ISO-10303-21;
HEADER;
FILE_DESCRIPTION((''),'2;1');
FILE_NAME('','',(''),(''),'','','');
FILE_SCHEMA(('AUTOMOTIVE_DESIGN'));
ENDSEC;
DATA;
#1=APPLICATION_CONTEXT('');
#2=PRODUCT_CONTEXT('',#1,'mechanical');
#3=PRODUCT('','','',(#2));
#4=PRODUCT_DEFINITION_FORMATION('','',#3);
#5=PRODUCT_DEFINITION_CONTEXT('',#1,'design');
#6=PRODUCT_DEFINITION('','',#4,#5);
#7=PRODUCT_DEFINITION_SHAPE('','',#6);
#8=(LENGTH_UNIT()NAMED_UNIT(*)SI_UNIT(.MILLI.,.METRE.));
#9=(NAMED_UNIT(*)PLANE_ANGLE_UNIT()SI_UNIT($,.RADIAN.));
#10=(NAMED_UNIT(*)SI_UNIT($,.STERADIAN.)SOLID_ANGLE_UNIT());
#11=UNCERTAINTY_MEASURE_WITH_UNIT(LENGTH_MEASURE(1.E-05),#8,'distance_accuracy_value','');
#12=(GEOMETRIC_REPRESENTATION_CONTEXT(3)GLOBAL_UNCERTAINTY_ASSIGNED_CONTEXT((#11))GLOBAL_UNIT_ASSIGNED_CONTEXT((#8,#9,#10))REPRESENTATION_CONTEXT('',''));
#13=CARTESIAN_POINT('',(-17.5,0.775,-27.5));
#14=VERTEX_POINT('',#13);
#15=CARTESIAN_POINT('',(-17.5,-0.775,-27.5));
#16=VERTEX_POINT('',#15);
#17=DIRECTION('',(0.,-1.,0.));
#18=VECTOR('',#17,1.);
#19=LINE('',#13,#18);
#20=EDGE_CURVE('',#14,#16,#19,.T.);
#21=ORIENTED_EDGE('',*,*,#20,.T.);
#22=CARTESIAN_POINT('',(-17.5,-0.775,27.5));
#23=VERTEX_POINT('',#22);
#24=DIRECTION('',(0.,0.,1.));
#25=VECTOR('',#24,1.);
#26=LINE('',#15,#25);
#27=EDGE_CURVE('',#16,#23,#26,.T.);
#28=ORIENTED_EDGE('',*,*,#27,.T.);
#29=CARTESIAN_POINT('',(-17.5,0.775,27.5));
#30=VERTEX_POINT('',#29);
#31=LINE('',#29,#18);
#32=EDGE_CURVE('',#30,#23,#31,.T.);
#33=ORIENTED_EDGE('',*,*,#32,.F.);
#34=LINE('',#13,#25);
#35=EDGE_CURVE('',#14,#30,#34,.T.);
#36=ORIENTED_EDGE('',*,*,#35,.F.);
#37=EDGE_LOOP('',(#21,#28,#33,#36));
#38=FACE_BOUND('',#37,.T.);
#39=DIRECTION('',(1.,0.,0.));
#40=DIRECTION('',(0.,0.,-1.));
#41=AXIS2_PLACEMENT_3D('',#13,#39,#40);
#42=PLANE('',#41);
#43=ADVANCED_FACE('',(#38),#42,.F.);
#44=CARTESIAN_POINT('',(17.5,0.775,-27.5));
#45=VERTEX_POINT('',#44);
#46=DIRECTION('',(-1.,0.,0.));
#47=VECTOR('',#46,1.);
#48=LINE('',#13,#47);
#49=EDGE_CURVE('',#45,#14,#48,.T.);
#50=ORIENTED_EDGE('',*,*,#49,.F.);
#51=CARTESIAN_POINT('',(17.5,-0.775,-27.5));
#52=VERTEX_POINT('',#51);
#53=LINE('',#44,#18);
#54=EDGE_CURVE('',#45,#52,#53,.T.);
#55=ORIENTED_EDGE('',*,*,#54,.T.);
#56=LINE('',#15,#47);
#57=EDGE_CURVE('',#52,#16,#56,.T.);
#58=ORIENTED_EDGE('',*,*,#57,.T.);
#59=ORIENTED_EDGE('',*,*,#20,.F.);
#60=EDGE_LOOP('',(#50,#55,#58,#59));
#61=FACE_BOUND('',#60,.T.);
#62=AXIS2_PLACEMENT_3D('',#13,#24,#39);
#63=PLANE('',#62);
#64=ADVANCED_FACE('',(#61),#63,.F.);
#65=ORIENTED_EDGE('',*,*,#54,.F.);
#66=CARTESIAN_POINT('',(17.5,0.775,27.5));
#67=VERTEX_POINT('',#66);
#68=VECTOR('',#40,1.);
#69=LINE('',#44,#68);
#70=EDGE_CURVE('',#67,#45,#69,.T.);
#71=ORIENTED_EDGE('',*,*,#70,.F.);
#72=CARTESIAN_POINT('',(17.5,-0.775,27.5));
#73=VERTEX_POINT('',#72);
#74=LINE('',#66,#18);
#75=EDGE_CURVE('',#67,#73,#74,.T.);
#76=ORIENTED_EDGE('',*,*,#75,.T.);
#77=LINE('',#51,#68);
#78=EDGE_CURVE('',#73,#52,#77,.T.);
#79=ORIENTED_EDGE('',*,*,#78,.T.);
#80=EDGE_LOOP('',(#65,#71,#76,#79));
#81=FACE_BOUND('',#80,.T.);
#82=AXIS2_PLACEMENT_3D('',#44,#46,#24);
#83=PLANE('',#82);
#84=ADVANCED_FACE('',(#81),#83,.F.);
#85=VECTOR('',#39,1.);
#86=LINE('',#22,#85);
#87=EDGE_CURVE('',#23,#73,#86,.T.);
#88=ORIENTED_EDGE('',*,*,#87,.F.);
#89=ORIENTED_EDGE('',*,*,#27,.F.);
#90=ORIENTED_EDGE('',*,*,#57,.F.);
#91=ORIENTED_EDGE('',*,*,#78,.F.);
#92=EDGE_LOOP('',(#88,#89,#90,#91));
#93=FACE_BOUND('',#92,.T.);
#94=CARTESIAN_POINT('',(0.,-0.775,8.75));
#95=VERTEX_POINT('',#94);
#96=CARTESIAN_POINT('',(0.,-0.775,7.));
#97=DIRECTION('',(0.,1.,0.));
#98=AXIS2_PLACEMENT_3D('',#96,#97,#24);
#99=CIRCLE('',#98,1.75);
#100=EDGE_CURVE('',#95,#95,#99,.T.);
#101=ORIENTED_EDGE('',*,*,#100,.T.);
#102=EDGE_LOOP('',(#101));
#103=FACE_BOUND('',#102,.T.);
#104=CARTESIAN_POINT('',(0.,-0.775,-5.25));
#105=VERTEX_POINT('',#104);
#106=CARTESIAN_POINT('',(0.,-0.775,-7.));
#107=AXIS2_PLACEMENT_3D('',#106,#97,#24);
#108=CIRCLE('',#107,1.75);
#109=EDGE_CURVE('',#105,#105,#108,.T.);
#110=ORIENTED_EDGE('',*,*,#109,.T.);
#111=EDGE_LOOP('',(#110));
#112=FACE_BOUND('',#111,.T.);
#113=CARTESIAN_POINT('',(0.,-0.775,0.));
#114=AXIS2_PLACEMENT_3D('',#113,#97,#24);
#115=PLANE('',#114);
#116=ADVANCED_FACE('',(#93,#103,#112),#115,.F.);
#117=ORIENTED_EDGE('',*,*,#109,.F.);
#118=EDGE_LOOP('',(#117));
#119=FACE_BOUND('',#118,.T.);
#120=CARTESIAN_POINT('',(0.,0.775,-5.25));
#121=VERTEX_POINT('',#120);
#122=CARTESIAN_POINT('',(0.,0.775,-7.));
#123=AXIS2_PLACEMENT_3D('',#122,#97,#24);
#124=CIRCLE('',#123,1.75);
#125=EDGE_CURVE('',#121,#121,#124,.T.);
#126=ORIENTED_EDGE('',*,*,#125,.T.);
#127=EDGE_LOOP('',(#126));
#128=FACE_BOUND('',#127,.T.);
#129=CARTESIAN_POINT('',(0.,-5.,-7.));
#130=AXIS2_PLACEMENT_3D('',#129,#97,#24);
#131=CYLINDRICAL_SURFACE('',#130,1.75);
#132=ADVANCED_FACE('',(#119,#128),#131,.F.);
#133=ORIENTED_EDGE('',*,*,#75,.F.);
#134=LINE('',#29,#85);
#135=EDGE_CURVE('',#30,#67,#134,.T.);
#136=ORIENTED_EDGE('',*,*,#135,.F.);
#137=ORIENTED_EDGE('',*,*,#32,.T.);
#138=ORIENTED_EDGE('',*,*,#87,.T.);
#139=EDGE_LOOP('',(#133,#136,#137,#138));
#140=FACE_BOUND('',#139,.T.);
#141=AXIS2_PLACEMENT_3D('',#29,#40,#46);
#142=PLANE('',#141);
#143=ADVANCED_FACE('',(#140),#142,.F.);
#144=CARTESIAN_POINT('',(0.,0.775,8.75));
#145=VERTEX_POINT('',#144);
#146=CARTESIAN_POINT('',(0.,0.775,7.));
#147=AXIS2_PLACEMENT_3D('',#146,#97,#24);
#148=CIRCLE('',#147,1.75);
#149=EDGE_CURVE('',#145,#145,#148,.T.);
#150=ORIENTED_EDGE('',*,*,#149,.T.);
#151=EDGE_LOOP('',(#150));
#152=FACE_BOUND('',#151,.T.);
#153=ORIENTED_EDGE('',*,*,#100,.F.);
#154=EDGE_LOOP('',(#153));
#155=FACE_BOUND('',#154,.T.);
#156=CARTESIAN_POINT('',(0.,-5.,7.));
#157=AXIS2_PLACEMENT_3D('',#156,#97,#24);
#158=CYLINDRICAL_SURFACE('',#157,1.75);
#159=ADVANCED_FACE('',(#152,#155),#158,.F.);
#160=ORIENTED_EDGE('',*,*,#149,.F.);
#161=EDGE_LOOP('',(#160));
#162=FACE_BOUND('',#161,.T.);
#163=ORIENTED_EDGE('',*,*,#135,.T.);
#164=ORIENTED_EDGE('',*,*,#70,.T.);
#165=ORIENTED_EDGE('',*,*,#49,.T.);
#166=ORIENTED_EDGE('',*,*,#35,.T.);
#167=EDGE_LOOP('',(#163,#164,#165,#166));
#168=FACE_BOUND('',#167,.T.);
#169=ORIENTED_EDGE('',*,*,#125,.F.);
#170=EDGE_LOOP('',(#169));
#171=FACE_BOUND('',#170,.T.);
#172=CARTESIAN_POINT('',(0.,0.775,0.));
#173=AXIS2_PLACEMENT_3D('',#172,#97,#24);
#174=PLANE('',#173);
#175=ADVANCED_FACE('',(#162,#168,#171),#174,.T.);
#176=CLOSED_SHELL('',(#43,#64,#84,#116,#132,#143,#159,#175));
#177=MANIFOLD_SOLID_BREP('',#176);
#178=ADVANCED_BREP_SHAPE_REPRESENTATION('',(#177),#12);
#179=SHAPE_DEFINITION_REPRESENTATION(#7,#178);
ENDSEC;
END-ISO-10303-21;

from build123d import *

# Parameters (mm, degrees)
SKETCH1_W           = 35
SKETCH1_H           = 55
BOSS_EXTRUDE1_DEPTH = 0.775
SKETCH2_R           = 1.75
CUT_EXTRUDE1_DEPTH  = 5


with BuildPart() as part:
    # Sketch1 → Boss-Extrude1 (new, symmetric)
    with BuildSketch(Plane(origin=(0, 0, 0), x_dir=(1, 0, 0), z_dir=(0, 1, 0))):
        Rectangle(SKETCH1_W, SKETCH1_H)
    extrude(amount=BOSS_EXTRUDE1_DEPTH, both=True)

    # Sketch2 → Cut-Extrude1 (cut, symmetric)
    with BuildSketch(Plane(origin=(0, 0, 0), x_dir=(1, 0, 0), z_dir=(0, 1, 0))):
        with Locations(Location((0, 7, 0), (0, 0, 270))):
            Circle(SKETCH2_R)
        with Locations(Location((0, -7, 0), (0, 0, 270))):
            Circle(SKETCH2_R)
    extrude(amount=CUT_EXTRUDE1_DEPTH, both=True, mode=Mode.SUBTRACT)


solid = part.part
